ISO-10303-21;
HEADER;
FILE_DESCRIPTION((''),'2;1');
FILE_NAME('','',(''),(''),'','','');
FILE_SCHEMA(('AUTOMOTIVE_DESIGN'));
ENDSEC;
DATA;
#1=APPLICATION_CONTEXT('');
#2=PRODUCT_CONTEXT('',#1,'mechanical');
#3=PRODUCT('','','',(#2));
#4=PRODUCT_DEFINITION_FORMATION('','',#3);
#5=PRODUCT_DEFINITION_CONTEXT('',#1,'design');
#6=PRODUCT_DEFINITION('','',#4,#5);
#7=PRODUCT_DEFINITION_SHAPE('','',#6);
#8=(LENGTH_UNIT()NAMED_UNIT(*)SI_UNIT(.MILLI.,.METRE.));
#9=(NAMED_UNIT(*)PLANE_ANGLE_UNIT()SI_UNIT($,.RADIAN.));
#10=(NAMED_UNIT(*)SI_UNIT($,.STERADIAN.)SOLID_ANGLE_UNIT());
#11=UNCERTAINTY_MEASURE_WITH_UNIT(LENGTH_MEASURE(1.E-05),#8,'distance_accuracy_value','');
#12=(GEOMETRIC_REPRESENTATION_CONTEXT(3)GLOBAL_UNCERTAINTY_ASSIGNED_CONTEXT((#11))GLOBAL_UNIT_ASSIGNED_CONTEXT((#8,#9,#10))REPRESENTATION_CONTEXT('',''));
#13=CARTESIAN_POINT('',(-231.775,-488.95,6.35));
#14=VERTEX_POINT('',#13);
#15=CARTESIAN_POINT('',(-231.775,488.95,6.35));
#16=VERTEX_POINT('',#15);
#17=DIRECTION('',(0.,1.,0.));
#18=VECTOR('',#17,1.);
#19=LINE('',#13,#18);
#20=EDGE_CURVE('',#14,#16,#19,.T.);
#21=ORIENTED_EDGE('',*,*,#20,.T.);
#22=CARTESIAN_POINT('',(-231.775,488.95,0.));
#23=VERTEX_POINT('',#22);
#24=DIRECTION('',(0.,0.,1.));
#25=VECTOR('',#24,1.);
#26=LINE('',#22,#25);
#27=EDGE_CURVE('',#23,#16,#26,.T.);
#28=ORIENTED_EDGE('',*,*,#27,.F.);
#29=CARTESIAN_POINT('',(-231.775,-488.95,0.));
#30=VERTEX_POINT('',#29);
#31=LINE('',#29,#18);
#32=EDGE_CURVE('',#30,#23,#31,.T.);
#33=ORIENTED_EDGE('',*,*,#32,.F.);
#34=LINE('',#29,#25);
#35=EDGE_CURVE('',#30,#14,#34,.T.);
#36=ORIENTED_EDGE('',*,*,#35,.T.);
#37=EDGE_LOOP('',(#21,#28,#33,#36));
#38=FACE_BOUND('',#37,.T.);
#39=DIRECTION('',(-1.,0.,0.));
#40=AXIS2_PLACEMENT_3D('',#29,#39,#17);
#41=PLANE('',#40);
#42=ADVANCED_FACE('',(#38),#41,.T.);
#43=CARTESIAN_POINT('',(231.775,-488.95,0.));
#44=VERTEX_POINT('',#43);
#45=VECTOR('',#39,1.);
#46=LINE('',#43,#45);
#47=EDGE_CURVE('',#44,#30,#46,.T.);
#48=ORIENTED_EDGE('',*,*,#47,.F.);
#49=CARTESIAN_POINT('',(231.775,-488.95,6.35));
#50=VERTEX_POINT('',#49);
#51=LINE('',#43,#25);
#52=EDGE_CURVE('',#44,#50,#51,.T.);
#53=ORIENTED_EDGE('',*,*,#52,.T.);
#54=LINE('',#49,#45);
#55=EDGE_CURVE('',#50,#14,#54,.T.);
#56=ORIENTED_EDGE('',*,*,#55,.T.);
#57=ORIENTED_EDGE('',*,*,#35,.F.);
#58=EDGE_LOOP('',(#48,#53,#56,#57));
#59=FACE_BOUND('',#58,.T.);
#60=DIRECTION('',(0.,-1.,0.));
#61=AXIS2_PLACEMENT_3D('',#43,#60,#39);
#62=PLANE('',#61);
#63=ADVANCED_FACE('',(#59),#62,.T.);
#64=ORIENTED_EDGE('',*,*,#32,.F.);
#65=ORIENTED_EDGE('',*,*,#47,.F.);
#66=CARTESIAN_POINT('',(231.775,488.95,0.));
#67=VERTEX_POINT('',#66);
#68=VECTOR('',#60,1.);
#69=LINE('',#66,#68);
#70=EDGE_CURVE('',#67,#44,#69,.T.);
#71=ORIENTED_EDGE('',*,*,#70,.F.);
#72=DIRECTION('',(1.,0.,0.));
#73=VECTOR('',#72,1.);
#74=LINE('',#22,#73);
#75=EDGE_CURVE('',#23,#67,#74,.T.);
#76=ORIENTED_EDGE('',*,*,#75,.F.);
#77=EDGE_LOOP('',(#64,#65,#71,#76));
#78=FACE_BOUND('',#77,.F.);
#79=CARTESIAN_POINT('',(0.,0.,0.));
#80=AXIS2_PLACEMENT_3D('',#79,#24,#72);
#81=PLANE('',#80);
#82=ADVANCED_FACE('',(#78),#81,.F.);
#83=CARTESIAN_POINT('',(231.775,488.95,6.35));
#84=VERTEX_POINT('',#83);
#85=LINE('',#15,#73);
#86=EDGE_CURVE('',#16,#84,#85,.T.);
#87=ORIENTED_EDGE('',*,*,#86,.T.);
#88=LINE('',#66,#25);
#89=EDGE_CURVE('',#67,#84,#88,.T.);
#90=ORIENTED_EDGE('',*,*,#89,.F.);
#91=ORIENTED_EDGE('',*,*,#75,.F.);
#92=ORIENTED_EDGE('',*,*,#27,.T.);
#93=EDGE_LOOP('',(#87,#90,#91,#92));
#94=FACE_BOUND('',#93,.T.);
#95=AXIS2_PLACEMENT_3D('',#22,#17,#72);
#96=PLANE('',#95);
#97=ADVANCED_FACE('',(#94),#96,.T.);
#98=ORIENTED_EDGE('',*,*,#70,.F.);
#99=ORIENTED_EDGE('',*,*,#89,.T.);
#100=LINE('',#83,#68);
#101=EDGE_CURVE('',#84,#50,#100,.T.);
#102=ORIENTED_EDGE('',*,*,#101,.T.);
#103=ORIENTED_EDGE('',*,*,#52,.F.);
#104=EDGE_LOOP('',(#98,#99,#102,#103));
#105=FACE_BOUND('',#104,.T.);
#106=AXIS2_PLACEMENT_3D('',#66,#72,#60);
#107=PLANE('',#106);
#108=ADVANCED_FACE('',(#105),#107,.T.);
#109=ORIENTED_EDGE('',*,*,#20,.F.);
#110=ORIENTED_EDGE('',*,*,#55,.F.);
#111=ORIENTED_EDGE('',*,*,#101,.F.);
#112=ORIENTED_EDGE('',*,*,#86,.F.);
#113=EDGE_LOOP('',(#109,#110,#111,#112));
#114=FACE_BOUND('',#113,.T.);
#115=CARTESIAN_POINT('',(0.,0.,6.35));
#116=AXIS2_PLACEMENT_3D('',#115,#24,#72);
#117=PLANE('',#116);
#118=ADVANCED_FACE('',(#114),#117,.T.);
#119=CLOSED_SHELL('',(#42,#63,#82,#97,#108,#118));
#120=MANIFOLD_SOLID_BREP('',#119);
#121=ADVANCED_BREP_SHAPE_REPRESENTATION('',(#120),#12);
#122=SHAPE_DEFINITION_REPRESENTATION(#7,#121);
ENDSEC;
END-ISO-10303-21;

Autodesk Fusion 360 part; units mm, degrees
sketch "Sketch1" plane through (0, 0, 0) normal (0, 0, 1) x (1, 0, 0)
  line L0 (231.775, -488.95) -> (-231.775, -488.95)
  line L1 (-231.775, -488.95) -> (-231.775, 488.95)
  line L2 (-231.775, 488.95) -> (231.775, 488.95)
  line L3 (231.775, 488.95) -> (231.775, -488.95)
  line L4 (231.775, -488.95) -> (-231.775, 488.95) construction
  line L5 (-231.775, -488.95) -> (231.775, 488.95) construction
  dimension "d1" = 463.55
  dimension "d2" = 977.9
extrude "Extrude1" add sketch "Sketch1" along normal blind 6.35
